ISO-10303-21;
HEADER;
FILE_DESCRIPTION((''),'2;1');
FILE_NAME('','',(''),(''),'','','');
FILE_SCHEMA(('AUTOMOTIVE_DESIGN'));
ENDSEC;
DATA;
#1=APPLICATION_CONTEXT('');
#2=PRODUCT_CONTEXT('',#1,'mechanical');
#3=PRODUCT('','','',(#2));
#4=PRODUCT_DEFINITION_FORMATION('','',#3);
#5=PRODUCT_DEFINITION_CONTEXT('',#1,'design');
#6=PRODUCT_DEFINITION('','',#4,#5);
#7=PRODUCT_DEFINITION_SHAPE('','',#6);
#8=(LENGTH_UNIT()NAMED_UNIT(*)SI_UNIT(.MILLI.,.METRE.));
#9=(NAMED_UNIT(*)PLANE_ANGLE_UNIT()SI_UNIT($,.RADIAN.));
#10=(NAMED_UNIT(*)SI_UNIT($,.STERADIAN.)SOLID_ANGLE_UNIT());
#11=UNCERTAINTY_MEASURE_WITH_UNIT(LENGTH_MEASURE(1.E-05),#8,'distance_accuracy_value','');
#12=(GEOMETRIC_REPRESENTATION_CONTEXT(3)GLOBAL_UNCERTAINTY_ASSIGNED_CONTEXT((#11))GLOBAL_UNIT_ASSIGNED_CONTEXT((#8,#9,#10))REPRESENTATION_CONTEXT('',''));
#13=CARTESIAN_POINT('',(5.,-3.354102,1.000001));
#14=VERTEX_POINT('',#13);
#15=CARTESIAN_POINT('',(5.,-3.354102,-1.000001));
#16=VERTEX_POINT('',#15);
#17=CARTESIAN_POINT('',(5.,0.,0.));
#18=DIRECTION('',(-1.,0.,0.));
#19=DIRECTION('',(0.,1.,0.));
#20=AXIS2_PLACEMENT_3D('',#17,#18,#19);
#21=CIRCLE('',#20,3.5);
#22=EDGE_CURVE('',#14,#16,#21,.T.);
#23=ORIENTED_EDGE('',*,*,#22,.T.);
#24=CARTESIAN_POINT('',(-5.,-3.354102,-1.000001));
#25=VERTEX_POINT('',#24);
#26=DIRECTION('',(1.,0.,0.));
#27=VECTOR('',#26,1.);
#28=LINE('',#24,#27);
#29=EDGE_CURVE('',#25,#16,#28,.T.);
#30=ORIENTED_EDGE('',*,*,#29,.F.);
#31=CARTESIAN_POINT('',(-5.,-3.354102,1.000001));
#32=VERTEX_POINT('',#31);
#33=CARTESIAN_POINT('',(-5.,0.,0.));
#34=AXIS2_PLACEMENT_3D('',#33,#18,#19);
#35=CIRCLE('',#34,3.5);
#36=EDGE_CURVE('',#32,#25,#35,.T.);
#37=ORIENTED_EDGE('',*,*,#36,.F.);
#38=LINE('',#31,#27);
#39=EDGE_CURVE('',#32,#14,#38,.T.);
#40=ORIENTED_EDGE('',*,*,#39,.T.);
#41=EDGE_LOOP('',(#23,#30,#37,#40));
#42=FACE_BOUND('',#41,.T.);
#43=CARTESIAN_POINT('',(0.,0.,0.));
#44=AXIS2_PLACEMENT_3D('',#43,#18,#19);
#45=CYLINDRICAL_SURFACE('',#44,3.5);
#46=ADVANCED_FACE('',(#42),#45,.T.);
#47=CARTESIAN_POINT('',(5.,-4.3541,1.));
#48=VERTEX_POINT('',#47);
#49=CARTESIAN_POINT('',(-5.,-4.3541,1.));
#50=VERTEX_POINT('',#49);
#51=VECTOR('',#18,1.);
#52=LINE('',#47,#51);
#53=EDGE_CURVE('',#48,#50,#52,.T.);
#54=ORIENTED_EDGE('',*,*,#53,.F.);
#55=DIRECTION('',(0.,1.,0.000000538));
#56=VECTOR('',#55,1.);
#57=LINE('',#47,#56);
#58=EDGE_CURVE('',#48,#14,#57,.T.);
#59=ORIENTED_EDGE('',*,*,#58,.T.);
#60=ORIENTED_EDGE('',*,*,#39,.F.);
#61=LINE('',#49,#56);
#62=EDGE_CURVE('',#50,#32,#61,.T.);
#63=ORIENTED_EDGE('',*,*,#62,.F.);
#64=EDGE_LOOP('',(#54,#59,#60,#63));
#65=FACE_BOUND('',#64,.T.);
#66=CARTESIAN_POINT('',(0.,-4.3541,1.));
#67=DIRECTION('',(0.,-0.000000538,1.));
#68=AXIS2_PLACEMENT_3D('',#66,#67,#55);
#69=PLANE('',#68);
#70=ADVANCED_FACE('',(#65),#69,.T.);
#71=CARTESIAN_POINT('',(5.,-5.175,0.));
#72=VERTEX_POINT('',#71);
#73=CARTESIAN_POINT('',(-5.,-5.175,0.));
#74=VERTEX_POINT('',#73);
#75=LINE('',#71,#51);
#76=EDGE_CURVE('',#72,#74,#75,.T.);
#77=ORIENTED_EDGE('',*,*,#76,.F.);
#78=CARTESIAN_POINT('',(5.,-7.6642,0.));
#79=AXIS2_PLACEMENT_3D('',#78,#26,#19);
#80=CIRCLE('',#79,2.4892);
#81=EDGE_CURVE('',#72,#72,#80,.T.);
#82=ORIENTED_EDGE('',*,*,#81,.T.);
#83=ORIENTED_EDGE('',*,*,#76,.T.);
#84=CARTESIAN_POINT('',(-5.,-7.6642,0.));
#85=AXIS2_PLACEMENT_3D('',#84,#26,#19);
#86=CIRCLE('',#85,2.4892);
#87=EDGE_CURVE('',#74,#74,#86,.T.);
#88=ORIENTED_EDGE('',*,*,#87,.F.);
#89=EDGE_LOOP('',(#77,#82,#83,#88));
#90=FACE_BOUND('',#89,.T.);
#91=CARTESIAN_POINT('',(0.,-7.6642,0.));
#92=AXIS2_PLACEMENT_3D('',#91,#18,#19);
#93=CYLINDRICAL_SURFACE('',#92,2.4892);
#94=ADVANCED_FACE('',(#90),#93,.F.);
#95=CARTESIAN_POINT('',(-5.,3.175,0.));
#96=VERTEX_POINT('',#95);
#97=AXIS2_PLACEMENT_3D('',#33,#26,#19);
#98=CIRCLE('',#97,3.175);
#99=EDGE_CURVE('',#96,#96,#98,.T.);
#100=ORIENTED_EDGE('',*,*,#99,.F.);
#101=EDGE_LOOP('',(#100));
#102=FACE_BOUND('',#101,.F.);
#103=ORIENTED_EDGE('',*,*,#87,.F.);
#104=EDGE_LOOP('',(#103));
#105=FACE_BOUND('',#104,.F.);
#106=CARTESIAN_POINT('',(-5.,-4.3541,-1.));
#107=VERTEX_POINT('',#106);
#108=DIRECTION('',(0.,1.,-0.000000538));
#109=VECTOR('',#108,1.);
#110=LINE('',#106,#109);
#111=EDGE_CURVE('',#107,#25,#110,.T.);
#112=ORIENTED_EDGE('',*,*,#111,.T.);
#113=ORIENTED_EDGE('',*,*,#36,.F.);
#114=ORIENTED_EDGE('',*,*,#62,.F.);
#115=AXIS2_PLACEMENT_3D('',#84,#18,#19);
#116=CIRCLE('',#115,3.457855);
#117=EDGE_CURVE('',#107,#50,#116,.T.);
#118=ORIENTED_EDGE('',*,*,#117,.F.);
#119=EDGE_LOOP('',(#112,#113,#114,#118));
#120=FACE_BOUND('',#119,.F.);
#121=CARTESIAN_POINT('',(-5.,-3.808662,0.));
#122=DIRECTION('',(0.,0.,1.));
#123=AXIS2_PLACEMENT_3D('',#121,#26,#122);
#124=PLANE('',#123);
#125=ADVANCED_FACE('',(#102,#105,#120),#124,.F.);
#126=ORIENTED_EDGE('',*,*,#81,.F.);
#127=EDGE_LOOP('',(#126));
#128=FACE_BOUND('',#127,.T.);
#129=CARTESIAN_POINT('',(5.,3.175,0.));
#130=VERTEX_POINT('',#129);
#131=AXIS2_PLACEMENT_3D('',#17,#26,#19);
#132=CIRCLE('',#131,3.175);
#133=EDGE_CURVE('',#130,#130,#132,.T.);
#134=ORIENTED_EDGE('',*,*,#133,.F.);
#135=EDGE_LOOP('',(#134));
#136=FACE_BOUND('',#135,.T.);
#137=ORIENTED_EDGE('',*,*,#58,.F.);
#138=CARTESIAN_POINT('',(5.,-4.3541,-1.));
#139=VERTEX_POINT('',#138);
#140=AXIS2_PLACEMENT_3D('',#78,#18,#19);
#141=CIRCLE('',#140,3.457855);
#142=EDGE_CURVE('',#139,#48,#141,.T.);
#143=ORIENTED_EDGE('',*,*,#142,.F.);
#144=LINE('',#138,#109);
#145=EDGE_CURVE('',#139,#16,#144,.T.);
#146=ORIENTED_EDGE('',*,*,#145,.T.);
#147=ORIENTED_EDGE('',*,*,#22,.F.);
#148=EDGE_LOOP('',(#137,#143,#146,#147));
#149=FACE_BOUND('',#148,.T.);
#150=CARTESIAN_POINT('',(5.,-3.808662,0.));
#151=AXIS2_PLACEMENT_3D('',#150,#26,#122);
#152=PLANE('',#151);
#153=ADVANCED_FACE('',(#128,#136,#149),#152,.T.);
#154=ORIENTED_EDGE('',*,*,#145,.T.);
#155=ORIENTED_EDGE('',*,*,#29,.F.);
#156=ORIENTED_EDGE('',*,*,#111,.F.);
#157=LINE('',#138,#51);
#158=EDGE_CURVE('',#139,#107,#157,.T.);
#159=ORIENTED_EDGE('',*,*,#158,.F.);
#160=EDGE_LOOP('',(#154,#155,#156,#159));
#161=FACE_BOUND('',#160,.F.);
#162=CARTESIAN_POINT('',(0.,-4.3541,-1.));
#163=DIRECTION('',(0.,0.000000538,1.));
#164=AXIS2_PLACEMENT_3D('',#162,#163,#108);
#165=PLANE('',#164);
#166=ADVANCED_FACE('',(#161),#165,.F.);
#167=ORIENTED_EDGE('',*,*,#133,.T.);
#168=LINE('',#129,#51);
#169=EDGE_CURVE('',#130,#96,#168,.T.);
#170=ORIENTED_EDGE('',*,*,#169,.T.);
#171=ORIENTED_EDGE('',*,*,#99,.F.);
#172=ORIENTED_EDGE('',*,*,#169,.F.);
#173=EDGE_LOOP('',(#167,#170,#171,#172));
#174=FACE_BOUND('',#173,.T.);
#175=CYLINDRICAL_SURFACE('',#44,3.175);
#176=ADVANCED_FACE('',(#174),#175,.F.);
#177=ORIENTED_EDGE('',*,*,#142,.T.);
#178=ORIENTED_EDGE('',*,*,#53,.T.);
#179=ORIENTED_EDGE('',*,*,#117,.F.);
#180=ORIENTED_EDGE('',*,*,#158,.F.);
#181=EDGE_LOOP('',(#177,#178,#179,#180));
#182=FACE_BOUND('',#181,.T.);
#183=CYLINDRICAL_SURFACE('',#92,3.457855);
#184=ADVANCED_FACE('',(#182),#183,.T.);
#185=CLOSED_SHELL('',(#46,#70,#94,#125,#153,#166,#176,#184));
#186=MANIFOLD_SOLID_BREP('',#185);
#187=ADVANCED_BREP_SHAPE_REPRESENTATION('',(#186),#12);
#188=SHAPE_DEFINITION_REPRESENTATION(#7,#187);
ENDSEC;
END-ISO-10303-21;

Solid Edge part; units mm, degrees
sketch "Sketch1" plane through (0, 0, 0) normal (1, 0, 0) x (0, 1, 0)
  line L0 (-4.3541, -1) -> (-3.3541, -1)
  line L1 (-4.3541, 1) -> (-3.3541, 1)
  arc A0 (-3.3541, 1) -> (-3.3541, -1) centre (0, 0) cw
  arc A1 (-4.3541, -1) -> (-4.3541, 1) centre (-7.6642, 0) cw
  circle A2 centre (0, 0) radius 3.175
  circle A3 centre (-7.6642, 0) radius 2.4892
extrude "Protrusion1" add sketch "Sketch1" along normal mid plane 10
properties material "ABS Plastic, medium impact"
